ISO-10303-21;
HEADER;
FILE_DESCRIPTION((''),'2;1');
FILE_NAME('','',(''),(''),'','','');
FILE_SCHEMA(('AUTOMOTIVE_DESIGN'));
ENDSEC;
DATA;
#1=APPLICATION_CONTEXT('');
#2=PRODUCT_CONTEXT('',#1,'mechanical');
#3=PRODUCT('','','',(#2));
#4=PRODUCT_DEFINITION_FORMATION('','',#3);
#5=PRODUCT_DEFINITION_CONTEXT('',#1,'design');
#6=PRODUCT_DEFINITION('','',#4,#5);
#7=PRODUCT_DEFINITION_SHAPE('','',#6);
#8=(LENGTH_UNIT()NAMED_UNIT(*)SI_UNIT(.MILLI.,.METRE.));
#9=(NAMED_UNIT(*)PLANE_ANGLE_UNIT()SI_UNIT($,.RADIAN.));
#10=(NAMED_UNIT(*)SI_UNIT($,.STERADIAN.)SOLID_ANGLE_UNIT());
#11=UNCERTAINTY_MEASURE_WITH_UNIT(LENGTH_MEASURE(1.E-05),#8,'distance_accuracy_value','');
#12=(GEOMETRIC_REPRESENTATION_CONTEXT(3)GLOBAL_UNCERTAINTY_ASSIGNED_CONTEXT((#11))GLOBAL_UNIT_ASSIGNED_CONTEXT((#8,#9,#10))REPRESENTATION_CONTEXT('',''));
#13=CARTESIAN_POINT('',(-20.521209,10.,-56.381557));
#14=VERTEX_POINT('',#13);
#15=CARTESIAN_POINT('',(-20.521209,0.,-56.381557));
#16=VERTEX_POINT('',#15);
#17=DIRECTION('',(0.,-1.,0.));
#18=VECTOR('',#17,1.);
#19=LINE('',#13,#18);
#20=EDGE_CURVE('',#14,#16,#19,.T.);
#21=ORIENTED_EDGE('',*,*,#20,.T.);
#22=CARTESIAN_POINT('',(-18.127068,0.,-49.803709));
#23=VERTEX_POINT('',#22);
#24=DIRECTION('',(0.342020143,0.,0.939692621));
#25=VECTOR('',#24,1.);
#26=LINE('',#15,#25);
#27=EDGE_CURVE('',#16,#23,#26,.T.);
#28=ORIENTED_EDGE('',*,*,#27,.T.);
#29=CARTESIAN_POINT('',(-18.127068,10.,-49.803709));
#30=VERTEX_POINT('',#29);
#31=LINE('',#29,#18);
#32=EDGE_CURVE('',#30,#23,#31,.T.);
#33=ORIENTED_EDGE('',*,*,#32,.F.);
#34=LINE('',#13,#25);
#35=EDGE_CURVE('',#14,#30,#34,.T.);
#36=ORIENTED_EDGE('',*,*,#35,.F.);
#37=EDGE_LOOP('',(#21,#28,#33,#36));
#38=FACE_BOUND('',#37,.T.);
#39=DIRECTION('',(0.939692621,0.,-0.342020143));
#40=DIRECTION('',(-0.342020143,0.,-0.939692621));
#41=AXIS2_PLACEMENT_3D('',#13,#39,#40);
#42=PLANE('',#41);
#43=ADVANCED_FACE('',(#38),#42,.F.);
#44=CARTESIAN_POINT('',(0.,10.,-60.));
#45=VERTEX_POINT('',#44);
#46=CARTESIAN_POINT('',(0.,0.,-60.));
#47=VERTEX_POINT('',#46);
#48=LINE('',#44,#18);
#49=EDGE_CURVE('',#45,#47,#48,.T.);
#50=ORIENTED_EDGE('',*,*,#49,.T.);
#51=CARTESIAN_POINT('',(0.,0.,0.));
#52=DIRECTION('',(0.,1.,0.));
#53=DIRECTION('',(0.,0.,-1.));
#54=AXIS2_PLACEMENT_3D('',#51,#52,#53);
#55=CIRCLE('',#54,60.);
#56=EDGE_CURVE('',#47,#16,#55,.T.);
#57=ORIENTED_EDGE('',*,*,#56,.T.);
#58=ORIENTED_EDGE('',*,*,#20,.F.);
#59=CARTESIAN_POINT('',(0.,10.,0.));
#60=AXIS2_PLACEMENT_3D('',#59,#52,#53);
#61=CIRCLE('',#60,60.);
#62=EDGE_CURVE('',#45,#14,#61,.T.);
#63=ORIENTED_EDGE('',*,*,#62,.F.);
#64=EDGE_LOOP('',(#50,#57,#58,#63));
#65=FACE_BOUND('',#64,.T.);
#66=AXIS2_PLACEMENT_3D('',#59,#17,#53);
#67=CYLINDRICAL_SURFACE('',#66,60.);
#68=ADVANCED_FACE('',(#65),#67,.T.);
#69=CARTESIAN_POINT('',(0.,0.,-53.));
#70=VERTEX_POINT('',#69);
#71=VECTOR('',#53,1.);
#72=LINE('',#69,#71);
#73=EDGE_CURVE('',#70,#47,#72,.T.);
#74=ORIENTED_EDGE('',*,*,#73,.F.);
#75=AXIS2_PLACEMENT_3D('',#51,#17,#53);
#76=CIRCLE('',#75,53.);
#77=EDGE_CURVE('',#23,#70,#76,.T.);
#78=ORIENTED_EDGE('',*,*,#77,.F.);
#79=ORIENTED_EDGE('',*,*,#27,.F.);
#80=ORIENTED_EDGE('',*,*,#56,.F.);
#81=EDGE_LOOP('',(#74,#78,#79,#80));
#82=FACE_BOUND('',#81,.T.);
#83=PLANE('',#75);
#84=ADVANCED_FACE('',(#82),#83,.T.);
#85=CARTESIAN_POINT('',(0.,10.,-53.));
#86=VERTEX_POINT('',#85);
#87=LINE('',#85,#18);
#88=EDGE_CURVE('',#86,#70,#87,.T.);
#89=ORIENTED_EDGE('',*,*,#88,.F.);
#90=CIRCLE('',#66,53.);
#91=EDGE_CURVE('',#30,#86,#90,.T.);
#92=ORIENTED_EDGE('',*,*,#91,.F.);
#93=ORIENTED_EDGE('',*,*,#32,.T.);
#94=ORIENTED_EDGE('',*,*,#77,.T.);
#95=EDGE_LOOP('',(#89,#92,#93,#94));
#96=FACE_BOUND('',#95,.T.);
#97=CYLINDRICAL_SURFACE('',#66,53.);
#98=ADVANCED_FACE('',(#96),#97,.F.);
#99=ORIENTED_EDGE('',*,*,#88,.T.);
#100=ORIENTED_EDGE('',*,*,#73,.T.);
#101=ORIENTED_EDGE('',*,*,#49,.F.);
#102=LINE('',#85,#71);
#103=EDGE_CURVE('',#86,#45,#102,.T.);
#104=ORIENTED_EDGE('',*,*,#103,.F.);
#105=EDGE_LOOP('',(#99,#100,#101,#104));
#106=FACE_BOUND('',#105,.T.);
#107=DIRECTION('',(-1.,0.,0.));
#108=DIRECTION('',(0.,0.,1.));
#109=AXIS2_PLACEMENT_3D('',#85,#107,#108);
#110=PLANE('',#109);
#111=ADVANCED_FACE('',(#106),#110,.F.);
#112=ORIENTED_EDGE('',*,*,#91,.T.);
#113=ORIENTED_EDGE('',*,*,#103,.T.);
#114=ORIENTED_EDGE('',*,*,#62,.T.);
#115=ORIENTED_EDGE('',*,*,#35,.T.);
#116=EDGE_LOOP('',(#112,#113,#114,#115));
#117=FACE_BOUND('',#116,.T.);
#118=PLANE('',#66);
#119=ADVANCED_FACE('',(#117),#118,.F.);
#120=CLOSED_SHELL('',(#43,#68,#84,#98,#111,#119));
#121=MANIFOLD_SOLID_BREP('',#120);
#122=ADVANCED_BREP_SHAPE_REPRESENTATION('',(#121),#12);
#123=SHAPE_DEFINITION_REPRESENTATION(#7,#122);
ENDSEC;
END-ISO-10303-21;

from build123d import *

# Parameters (mm, degrees)
AUFSATZ_LINEAR_AUSTRAGEN1_DEPTH = 10


with BuildPart() as part:
    # Skizze1 → Aufsatz-Linear austragen1 (new body)
    with BuildSketch(Plane(origin=(0, 0, 0), x_dir=(1, 0, 0), z_dir=(0, 1, 0))):
        with BuildLine():
            Line((-20.5212086, 56.381557247), (-18.127067596, 49.803708902))
            ThreePointArc((-18.127067596, 49.803708902), (-9.203353416, 52.19481091), (0, 53))
            Line((0, 53), (0, 60))
            ThreePointArc((0, 60), (-10.41889066, 59.088465181), (-20.5212086, 56.381557247))
        make_face()
    extrude(amount=AUFSATZ_LINEAR_AUSTRAGEN1_DEPTH)


solid = part.part
